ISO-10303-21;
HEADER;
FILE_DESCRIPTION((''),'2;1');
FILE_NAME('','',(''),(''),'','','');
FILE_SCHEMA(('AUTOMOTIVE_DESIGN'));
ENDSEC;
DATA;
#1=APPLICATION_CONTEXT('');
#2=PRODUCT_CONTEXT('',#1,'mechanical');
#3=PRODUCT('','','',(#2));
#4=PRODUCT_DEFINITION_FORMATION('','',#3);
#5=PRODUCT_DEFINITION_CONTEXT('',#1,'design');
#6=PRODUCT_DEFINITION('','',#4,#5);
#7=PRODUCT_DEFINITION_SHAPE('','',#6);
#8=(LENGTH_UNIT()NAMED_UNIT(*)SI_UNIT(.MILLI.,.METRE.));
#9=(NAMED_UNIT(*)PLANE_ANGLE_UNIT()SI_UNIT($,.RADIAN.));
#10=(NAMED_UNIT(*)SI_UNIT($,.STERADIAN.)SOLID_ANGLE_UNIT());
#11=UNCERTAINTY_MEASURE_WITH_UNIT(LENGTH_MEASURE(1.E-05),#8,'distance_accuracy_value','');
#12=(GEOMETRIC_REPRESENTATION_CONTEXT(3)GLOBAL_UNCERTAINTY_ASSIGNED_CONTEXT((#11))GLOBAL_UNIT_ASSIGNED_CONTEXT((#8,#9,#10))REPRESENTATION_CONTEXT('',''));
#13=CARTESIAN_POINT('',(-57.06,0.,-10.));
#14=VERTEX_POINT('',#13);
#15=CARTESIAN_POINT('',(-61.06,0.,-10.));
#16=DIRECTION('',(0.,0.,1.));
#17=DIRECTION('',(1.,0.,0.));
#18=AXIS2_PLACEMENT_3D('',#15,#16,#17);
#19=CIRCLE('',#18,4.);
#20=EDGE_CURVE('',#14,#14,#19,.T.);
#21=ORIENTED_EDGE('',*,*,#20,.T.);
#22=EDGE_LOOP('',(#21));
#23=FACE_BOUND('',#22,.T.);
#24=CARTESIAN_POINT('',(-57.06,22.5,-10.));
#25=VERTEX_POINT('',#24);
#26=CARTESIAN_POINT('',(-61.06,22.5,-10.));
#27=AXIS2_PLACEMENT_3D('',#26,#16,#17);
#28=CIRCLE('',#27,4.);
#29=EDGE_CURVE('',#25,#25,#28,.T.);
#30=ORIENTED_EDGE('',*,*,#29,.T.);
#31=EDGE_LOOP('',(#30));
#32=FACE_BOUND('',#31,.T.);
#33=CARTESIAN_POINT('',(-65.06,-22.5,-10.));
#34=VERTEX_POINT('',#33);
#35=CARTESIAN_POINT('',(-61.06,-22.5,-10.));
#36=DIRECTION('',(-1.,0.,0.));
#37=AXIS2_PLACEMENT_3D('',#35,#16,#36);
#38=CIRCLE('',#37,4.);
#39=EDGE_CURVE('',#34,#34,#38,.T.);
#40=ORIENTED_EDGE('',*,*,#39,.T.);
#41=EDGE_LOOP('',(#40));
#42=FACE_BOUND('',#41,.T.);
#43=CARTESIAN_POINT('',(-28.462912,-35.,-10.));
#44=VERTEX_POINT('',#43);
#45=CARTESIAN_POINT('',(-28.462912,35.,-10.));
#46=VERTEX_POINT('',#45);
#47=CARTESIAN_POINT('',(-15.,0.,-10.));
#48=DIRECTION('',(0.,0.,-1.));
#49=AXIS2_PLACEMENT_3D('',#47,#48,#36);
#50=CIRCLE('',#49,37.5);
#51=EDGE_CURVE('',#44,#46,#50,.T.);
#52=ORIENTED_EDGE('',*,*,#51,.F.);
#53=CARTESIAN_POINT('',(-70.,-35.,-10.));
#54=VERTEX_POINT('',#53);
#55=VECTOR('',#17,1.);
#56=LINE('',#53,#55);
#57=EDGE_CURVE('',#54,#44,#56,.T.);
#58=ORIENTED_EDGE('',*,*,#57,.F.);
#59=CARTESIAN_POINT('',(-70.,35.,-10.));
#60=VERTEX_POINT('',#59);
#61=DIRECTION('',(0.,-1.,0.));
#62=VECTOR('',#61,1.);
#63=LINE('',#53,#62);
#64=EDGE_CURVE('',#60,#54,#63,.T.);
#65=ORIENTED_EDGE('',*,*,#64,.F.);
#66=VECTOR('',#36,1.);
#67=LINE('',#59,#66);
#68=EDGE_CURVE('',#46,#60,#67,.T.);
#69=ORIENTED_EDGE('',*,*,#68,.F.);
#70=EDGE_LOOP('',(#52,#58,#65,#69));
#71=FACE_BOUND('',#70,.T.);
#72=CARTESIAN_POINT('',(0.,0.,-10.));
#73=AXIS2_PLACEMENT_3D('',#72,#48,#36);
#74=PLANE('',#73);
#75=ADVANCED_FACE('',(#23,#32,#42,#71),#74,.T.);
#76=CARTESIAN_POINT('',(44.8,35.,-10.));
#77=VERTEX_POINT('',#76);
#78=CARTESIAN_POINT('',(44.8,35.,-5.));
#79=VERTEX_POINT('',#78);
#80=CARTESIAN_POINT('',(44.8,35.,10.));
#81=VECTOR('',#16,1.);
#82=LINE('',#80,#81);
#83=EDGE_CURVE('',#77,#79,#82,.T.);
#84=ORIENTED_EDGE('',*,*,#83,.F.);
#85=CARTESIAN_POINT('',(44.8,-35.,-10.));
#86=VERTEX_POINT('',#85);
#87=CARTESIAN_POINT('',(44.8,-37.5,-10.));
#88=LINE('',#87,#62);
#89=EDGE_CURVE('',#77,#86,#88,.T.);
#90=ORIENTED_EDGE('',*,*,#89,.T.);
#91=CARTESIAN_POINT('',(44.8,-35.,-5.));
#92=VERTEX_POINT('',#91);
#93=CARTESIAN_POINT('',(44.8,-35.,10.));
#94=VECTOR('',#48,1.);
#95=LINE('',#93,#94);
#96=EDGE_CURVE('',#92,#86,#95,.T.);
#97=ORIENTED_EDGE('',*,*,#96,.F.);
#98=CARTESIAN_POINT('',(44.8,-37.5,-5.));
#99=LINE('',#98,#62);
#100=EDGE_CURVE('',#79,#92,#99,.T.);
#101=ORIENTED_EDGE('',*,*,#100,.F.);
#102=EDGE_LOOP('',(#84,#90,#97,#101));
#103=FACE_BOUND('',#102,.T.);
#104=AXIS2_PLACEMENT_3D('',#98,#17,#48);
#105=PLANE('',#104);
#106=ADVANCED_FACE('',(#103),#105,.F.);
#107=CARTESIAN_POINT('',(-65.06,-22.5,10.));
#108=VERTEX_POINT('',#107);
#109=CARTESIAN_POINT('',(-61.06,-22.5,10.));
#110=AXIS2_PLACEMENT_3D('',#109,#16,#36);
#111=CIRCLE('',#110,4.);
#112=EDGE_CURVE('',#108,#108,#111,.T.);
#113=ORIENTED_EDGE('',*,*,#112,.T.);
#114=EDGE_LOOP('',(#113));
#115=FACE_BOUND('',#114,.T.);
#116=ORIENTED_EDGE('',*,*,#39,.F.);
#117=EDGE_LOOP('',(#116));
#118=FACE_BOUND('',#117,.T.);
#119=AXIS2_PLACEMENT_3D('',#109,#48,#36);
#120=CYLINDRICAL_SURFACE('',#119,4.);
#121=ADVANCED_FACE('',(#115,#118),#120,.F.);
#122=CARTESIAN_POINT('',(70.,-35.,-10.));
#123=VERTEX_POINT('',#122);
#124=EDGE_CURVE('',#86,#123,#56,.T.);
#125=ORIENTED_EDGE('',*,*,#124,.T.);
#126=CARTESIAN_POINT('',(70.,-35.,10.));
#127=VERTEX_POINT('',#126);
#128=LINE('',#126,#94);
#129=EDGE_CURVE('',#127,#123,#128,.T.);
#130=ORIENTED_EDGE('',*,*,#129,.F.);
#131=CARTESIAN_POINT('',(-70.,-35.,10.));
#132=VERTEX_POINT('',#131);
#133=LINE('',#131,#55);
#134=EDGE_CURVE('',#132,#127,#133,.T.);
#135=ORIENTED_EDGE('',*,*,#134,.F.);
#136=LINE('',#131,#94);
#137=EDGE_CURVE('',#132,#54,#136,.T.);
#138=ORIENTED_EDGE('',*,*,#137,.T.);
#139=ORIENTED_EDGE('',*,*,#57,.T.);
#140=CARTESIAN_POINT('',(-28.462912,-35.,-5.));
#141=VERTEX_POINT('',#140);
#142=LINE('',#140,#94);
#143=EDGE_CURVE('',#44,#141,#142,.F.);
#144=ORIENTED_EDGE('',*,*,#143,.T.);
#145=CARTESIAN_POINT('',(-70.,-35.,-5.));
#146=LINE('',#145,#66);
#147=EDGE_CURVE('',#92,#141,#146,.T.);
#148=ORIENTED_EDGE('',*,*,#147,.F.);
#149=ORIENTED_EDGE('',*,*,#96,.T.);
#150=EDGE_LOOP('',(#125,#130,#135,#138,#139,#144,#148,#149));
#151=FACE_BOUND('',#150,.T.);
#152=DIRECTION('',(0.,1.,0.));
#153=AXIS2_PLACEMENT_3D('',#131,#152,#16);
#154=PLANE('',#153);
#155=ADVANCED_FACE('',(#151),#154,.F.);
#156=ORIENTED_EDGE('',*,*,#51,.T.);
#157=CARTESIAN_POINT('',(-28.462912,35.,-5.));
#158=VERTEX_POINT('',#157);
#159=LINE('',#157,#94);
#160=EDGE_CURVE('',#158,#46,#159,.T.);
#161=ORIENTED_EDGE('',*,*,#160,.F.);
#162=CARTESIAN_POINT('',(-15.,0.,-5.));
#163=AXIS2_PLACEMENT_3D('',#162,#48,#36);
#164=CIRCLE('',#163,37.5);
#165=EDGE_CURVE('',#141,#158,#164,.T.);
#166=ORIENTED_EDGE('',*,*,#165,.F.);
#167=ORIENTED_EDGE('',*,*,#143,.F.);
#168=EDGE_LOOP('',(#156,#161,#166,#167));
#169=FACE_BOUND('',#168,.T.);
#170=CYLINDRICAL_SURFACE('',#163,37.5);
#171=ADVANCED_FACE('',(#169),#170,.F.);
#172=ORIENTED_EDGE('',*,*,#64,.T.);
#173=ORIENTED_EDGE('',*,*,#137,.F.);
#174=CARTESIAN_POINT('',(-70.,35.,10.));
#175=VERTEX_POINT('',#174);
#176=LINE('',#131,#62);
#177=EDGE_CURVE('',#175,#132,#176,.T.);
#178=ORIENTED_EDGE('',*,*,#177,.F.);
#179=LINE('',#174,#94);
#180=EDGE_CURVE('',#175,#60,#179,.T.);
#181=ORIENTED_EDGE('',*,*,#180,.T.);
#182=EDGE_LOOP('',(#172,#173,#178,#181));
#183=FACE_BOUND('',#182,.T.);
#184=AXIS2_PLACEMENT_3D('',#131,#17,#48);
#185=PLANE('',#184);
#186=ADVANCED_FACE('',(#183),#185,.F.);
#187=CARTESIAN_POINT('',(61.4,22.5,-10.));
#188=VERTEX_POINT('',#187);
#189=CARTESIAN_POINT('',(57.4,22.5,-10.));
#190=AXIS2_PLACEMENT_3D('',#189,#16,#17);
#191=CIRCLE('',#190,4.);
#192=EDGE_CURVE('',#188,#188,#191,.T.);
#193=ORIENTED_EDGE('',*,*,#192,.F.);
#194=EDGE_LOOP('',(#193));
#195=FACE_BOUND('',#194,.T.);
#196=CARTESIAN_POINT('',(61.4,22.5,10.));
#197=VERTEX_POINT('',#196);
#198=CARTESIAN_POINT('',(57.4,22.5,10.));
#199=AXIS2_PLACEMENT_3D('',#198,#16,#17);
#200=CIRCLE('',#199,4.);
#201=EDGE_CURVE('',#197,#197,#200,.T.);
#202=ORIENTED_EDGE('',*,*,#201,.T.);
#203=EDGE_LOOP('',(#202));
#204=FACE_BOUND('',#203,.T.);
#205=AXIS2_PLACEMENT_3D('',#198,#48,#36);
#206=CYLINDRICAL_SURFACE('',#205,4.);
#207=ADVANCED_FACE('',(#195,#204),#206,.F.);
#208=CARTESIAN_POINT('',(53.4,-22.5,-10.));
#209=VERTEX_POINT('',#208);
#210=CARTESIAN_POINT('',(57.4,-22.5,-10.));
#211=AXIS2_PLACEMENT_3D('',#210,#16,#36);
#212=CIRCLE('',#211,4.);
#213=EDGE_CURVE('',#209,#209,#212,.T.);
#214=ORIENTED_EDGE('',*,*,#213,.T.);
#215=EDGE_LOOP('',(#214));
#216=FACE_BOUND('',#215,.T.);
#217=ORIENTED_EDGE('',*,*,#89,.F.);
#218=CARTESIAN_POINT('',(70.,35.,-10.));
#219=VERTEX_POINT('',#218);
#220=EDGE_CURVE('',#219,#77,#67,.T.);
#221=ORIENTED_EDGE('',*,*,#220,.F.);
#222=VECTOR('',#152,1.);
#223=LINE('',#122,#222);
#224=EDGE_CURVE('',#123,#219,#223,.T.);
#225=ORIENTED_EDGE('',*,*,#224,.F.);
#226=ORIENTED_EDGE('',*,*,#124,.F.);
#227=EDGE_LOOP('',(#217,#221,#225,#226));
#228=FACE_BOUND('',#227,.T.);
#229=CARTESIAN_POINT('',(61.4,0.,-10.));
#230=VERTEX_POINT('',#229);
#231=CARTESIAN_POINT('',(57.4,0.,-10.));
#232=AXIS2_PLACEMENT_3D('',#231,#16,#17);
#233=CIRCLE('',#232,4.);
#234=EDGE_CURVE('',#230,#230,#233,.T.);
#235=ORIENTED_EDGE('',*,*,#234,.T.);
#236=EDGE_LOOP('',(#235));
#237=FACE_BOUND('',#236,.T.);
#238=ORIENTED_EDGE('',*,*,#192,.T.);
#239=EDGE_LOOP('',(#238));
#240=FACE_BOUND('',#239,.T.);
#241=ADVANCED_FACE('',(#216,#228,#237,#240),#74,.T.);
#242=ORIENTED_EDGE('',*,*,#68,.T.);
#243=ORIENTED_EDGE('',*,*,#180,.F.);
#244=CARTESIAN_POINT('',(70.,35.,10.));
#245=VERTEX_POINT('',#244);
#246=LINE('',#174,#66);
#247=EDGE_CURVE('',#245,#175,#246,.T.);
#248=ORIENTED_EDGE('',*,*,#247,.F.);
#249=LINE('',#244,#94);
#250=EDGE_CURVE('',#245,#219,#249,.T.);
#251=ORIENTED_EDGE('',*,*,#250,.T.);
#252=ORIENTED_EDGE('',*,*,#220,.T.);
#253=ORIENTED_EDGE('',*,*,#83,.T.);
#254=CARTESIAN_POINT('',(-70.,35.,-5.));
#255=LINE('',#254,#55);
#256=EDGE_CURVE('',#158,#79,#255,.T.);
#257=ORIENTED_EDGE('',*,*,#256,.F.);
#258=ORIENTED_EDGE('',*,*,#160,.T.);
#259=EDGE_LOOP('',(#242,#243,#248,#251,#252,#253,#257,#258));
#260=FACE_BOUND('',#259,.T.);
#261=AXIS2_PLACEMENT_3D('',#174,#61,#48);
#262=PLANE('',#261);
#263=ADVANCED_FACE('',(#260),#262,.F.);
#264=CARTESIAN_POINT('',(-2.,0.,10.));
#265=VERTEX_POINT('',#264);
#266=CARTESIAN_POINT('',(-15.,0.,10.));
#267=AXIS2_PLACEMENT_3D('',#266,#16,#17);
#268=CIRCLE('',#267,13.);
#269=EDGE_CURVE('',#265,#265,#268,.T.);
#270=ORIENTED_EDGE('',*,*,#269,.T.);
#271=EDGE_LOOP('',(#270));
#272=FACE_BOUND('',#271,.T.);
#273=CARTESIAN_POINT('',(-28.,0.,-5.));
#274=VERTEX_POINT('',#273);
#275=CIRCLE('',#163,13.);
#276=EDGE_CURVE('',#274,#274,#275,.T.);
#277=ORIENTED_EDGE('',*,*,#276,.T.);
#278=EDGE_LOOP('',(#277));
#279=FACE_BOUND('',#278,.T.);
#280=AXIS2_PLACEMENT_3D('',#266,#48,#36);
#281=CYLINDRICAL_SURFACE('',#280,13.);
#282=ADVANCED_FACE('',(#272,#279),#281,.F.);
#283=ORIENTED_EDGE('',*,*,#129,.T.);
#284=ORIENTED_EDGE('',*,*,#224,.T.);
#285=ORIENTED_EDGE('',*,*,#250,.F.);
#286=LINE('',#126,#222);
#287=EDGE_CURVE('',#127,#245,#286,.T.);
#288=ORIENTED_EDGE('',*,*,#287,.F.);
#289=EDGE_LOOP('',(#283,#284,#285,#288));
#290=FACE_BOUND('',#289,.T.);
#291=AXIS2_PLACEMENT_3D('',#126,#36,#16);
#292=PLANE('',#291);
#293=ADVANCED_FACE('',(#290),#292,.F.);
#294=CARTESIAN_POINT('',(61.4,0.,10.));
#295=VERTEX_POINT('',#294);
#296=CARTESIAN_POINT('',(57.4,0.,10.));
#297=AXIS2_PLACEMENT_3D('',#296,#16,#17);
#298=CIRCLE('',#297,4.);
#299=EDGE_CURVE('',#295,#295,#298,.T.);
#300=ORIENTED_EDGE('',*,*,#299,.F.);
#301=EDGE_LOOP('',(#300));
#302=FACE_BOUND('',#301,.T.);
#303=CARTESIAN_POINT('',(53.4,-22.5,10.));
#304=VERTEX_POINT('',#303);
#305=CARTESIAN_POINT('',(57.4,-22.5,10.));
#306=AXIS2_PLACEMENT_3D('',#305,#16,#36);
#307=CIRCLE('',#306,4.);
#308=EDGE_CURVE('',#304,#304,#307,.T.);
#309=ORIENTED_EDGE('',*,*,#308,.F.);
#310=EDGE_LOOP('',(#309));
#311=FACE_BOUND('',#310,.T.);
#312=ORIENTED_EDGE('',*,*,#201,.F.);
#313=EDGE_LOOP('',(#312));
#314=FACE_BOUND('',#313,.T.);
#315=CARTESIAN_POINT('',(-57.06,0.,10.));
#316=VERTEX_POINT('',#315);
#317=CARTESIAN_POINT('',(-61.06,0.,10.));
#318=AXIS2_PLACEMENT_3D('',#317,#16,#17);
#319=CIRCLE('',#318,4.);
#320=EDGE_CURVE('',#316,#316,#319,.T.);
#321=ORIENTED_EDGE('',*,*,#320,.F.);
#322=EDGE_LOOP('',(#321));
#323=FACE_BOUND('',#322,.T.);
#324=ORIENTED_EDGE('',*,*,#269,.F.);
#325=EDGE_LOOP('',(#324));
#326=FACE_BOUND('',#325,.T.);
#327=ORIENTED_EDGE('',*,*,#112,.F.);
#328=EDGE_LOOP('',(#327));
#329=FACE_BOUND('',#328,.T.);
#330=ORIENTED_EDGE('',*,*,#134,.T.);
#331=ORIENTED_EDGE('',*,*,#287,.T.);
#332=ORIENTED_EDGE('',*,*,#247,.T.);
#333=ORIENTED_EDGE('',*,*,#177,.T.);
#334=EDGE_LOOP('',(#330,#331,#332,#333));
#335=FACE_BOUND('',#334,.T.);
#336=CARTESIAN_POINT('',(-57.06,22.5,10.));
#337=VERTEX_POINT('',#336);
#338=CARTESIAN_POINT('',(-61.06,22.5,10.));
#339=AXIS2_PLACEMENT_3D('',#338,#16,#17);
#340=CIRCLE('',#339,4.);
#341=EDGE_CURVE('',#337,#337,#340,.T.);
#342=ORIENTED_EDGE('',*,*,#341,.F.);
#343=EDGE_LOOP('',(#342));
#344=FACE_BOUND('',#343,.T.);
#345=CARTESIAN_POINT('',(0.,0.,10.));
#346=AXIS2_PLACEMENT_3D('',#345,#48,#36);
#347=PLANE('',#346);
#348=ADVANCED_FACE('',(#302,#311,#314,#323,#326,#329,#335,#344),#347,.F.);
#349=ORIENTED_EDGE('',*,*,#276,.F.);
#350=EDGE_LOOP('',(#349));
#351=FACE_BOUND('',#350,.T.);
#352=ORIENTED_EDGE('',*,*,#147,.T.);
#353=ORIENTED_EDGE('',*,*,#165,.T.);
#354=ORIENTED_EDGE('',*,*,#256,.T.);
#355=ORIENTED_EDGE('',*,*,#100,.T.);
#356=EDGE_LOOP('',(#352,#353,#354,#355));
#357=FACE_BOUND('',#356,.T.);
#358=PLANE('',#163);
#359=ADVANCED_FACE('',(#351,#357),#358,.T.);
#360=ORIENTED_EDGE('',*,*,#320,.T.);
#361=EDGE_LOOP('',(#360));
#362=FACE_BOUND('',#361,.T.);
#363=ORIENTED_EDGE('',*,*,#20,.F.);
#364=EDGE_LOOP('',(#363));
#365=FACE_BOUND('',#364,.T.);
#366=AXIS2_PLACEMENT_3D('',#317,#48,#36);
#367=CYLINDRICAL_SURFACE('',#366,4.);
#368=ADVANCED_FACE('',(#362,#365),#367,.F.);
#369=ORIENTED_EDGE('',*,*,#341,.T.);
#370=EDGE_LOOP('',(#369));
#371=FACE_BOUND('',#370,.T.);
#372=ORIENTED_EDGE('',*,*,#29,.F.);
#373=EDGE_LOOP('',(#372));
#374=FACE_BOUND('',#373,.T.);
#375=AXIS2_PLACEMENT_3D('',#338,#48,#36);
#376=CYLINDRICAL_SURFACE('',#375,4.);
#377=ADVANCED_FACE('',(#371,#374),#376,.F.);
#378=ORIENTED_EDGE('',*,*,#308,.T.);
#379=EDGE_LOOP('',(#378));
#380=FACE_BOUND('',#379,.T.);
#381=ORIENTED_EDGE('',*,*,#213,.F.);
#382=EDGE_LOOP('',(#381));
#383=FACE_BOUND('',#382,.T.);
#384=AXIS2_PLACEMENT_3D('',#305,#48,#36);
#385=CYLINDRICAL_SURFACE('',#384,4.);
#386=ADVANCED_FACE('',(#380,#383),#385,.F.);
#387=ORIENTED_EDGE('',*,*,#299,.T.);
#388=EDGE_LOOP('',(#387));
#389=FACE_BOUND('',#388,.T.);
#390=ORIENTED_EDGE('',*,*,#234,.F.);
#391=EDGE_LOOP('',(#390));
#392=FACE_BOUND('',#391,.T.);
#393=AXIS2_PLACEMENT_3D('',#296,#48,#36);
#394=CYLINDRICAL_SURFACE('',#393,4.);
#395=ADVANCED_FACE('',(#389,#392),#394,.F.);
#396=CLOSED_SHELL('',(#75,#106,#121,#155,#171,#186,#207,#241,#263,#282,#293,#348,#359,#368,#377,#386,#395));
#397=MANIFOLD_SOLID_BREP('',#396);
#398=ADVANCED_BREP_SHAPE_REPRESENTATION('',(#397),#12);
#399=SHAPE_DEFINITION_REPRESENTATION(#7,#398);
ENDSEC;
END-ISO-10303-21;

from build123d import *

# Parameters (mm, degrees)
SKETCH1_W           = 140
SKETCH1_H           = 70
SKETCH1_R           = 13
SKETCH1_R_2         = 4
BOSS_EXTRUDE1_DEPTH = 10
CUT_EXTRUDE1_DEPTH  = 5


with BuildPart() as part:
    # Sketch1 → Boss-Extrude1 (new body, symmetric)
    with BuildSketch(Plane.XY):
        Rectangle(SKETCH1_W, SKETCH1_H)
        with Locations((-15, 0)):
            Circle(SKETCH1_R, mode=Mode.SUBTRACT)
        with Locations((57.4, 0)):
            Circle(SKETCH1_R_2, mode=Mode.SUBTRACT)
        with Locations((57.4, 22.5)):
            Circle(SKETCH1_R_2, mode=Mode.SUBTRACT)
        with Locations((-61.06, 0)):
            Circle(SKETCH1_R_2, mode=Mode.SUBTRACT)
        with Locations((-61.06, 22.5)):
            Circle(SKETCH1_R_2, mode=Mode.SUBTRACT)
        with Locations((-61.06, -22.5)):
            Circle(SKETCH1_R_2, mode=Mode.SUBTRACT)
        with Locations((57.4, -22.5)):
            Circle(SKETCH1_R_2, mode=Mode.SUBTRACT)
    extrude(amount=BOSS_EXTRUDE1_DEPTH, both=True)

    # Sketch2 → Cut-Extrude1 (cut)
    with BuildSketch(Plane(origin=(0, 0, -10), x_dir=(-1, 0, 0), z_dir=(0, 0, -1))):
        with BuildLine():
            Line((15, -37.5), (-44.8, -37.5))
            Line((-44.8, -37.5), (-44.8, 37.5))
            Line((-44.8, 37.5), (15, 37.5))
            ThreePointArc((15, 37.5), (52.5, 0), (15, -37.5))
        make_face()
    extrude(amount=-CUT_EXTRUDE1_DEPTH, mode=Mode.SUBTRACT)


solid = part.part
